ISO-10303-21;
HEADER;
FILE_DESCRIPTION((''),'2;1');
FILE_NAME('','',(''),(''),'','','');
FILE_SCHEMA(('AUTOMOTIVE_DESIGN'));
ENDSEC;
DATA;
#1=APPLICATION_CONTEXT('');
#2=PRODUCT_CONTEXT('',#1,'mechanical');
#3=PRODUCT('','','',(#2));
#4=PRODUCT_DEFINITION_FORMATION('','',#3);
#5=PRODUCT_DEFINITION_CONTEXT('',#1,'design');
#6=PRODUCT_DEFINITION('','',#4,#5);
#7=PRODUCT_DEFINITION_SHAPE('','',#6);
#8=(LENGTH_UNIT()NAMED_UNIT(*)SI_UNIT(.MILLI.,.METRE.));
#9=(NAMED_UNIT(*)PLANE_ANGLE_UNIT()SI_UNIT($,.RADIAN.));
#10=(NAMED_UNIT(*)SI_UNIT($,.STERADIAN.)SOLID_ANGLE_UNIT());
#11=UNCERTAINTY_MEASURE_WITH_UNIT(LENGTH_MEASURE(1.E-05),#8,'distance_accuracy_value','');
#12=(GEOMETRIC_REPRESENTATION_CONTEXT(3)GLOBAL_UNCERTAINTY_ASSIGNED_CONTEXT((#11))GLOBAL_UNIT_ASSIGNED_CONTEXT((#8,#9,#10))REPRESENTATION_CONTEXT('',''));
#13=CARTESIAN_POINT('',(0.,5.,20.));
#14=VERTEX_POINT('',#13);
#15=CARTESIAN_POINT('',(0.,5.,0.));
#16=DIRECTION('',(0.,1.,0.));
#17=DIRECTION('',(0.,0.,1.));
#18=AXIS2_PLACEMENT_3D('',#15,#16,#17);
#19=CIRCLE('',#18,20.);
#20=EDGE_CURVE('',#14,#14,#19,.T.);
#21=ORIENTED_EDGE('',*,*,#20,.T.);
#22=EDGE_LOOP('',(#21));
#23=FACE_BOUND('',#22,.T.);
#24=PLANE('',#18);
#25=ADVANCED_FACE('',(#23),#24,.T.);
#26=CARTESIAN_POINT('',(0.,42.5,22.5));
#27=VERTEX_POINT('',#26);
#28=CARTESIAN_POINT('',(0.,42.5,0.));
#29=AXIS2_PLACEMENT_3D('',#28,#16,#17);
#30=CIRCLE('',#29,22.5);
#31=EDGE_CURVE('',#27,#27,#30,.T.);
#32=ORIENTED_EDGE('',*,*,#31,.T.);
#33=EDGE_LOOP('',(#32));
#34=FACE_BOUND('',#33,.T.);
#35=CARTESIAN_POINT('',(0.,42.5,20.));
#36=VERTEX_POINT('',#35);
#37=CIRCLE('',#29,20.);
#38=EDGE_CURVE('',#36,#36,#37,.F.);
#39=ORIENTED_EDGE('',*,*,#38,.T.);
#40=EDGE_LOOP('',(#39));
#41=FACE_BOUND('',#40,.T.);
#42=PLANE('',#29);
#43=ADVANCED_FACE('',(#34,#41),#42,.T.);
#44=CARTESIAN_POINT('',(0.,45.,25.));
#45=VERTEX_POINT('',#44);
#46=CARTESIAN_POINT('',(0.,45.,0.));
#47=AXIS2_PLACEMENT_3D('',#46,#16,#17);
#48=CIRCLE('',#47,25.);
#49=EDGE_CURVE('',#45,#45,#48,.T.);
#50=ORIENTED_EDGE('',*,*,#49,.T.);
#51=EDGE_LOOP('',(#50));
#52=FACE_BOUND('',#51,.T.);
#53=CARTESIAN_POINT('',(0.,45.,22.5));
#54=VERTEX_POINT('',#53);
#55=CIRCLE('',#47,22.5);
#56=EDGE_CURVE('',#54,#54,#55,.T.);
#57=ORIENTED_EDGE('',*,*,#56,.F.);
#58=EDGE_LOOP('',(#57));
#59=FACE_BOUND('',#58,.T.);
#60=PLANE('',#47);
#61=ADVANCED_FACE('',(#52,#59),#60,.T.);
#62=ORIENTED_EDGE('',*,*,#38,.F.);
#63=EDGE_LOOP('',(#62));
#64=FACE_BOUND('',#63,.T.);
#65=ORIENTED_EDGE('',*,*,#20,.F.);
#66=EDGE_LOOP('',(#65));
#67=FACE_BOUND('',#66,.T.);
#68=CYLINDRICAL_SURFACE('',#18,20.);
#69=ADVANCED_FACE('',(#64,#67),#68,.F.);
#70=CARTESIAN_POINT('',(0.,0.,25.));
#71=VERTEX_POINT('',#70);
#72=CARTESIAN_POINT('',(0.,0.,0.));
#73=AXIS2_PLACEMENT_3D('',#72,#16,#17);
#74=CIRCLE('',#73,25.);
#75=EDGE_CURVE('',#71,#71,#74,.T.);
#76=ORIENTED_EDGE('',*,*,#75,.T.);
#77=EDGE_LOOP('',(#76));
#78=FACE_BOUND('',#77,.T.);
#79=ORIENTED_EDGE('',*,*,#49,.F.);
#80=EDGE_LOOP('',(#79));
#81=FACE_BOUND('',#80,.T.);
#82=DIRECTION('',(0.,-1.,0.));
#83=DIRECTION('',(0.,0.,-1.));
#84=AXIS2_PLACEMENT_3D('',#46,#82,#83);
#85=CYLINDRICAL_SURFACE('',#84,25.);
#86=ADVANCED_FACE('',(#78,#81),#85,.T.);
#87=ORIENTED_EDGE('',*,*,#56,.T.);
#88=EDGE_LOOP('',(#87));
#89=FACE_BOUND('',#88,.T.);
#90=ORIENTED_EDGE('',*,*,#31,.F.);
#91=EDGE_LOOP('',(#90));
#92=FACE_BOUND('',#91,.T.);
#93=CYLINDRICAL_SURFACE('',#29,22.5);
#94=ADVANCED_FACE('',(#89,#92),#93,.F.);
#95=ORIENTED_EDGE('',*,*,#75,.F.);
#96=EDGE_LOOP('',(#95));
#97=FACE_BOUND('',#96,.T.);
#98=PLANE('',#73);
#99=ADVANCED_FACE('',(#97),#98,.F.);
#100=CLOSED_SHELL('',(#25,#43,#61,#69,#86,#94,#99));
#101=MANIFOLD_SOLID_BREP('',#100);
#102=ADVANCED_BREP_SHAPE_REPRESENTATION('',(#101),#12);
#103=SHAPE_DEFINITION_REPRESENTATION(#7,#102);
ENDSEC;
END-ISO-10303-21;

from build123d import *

# Parameters (mm, degrees)
CROQUIS1_R              = 25
SALIENTE_EXTRUIR1_DEPTH = 45
CROQUIS2_R              = 20
CORTAR_EXTRUIR1_DEPTH   = 40
CROQUIS3_R              = 22.5
CORTAR_EXTRUIR2_DEPTH   = 2.5


with BuildPart() as part:
    # Croquis1 → Saliente-Extruir1 (new body)
    with BuildSketch(Plane(origin=(0, 0, 0), x_dir=(1, 0, 0), z_dir=(0, 1, 0))):
        Circle(CROQUIS1_R)
    extrude(amount=SALIENTE_EXTRUIR1_DEPTH)

    # Croquis2 → Cortar-Extruir1 (cut)
    with BuildSketch(Plane(origin=(0, 45, 0), x_dir=(1, 0, 0), z_dir=(0, 1, 0))):
        Circle(CROQUIS2_R)
    extrude(amount=-CORTAR_EXTRUIR1_DEPTH, mode=Mode.SUBTRACT)

    # Croquis3 → Cortar-Extruir2 (cut)
    with BuildSketch(Plane(origin=(0, 45, 0), x_dir=(1, 0, 0), z_dir=(0, 1, 0))):
        Circle(CROQUIS3_R)
    extrude(amount=-CORTAR_EXTRUIR2_DEPTH, mode=Mode.SUBTRACT)


solid = part.part
